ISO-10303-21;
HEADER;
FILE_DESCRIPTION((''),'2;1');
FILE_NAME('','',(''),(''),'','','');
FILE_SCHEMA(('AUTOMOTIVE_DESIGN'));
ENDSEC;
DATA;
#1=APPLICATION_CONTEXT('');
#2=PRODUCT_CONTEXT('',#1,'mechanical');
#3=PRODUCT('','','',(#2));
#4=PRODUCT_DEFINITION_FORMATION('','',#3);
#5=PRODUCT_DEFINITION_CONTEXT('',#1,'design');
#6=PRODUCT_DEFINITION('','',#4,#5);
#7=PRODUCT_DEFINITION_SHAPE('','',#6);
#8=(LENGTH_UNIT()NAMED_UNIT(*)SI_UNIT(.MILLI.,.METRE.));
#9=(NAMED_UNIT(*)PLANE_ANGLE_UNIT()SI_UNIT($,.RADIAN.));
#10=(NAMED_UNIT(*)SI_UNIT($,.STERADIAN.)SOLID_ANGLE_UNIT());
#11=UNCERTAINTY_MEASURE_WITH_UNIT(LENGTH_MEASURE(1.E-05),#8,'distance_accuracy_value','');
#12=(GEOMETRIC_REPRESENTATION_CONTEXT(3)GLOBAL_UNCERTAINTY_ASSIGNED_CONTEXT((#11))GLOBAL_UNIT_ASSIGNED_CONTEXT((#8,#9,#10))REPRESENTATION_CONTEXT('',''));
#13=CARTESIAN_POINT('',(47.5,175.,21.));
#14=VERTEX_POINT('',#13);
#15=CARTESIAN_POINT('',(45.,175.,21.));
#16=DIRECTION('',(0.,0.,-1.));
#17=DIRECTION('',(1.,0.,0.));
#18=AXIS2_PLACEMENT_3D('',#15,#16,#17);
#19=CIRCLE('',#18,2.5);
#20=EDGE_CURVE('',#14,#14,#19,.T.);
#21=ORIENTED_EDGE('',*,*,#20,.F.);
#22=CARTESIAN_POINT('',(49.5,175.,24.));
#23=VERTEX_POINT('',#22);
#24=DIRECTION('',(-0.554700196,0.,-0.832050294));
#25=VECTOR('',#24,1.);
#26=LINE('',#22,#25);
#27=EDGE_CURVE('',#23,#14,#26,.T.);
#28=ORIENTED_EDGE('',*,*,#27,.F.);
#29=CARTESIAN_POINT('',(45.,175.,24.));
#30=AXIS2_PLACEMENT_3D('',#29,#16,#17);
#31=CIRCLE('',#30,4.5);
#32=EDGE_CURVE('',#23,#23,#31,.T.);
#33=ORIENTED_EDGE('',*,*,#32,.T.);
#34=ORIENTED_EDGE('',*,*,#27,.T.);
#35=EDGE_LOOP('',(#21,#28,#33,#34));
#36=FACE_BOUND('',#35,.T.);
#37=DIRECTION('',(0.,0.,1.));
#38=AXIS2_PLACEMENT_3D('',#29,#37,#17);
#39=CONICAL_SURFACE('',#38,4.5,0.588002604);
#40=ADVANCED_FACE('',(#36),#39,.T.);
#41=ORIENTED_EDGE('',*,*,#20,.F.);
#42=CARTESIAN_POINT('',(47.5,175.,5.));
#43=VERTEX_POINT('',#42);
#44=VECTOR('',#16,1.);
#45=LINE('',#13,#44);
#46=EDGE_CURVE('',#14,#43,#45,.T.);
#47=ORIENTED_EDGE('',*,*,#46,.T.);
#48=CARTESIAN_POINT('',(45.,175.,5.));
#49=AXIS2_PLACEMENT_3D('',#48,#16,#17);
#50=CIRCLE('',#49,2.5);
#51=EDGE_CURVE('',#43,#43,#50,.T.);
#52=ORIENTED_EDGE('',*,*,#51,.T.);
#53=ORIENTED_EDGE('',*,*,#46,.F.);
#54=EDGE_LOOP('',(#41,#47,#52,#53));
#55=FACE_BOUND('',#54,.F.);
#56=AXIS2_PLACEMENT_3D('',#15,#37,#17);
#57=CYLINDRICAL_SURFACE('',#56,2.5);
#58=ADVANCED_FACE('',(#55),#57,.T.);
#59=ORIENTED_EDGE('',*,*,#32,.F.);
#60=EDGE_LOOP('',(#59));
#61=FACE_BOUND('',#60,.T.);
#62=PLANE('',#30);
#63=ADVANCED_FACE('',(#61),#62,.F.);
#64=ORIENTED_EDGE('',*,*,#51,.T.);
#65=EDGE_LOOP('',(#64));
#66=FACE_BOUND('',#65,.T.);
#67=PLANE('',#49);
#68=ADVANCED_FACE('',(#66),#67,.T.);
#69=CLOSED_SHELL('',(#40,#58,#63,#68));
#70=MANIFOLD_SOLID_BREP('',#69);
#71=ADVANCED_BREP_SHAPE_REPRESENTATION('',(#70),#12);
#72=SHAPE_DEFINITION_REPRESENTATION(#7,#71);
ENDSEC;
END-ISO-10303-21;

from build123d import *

# Parameters (mm, degrees)
CYLINDER011_R                   = 2.5
CYLINDER011_DEPTH               = 16
FUSION001018017_PLACEMENT_ANGLE = 180
CLONE021_PLACEMENT_ANGLE        = 180


with BuildPart() as cone003:
    # Cone003 → Cone003 (revolve)
    with BuildSketch(Plane(origin=(0, 0, -3), x_dir=(1, 0, 0), z_dir=(0, -1, 0))):
        Polygon((0, 0), (4.5, 0), (2.5, 3), (0, 3), align=None)
    revolve(axis=Axis((0, 0, -3), (0, 0, 1)))


with BuildPart() as m5x16_senkkopf006:
    # Cylinder011 → Cylinder011 (new body)
    with BuildSketch(Plane.XY):
        Circle(CYLINDER011_R)
    extrude(amount=CYLINDER011_DEPTH)

    # Fusion001018017: union Cone003
    add(cone003.part)


with BuildPart() as m5x16_senkkopf006_1:
    # Fusion001018017 placement: moved
    add(m5x16_senkkopf006.part.moved(Location((45, 15, 21))).rotate(Axis((45, 15, 21), (0, 1, 0)), FUSION001018017_PLACEMENT_ANGLE))


with BuildPart() as m5x16_senkkopf006_2:
    # Clone021 placement: moved
    add(m5x16_senkkopf006_1.part.moved(Location((90, 190, 0))).rotate(Axis((90, 190, 0), (0, 0, 1)), CLONE021_PLACEMENT_ANGLE))


solid = m5x16_senkkopf006_2.part
